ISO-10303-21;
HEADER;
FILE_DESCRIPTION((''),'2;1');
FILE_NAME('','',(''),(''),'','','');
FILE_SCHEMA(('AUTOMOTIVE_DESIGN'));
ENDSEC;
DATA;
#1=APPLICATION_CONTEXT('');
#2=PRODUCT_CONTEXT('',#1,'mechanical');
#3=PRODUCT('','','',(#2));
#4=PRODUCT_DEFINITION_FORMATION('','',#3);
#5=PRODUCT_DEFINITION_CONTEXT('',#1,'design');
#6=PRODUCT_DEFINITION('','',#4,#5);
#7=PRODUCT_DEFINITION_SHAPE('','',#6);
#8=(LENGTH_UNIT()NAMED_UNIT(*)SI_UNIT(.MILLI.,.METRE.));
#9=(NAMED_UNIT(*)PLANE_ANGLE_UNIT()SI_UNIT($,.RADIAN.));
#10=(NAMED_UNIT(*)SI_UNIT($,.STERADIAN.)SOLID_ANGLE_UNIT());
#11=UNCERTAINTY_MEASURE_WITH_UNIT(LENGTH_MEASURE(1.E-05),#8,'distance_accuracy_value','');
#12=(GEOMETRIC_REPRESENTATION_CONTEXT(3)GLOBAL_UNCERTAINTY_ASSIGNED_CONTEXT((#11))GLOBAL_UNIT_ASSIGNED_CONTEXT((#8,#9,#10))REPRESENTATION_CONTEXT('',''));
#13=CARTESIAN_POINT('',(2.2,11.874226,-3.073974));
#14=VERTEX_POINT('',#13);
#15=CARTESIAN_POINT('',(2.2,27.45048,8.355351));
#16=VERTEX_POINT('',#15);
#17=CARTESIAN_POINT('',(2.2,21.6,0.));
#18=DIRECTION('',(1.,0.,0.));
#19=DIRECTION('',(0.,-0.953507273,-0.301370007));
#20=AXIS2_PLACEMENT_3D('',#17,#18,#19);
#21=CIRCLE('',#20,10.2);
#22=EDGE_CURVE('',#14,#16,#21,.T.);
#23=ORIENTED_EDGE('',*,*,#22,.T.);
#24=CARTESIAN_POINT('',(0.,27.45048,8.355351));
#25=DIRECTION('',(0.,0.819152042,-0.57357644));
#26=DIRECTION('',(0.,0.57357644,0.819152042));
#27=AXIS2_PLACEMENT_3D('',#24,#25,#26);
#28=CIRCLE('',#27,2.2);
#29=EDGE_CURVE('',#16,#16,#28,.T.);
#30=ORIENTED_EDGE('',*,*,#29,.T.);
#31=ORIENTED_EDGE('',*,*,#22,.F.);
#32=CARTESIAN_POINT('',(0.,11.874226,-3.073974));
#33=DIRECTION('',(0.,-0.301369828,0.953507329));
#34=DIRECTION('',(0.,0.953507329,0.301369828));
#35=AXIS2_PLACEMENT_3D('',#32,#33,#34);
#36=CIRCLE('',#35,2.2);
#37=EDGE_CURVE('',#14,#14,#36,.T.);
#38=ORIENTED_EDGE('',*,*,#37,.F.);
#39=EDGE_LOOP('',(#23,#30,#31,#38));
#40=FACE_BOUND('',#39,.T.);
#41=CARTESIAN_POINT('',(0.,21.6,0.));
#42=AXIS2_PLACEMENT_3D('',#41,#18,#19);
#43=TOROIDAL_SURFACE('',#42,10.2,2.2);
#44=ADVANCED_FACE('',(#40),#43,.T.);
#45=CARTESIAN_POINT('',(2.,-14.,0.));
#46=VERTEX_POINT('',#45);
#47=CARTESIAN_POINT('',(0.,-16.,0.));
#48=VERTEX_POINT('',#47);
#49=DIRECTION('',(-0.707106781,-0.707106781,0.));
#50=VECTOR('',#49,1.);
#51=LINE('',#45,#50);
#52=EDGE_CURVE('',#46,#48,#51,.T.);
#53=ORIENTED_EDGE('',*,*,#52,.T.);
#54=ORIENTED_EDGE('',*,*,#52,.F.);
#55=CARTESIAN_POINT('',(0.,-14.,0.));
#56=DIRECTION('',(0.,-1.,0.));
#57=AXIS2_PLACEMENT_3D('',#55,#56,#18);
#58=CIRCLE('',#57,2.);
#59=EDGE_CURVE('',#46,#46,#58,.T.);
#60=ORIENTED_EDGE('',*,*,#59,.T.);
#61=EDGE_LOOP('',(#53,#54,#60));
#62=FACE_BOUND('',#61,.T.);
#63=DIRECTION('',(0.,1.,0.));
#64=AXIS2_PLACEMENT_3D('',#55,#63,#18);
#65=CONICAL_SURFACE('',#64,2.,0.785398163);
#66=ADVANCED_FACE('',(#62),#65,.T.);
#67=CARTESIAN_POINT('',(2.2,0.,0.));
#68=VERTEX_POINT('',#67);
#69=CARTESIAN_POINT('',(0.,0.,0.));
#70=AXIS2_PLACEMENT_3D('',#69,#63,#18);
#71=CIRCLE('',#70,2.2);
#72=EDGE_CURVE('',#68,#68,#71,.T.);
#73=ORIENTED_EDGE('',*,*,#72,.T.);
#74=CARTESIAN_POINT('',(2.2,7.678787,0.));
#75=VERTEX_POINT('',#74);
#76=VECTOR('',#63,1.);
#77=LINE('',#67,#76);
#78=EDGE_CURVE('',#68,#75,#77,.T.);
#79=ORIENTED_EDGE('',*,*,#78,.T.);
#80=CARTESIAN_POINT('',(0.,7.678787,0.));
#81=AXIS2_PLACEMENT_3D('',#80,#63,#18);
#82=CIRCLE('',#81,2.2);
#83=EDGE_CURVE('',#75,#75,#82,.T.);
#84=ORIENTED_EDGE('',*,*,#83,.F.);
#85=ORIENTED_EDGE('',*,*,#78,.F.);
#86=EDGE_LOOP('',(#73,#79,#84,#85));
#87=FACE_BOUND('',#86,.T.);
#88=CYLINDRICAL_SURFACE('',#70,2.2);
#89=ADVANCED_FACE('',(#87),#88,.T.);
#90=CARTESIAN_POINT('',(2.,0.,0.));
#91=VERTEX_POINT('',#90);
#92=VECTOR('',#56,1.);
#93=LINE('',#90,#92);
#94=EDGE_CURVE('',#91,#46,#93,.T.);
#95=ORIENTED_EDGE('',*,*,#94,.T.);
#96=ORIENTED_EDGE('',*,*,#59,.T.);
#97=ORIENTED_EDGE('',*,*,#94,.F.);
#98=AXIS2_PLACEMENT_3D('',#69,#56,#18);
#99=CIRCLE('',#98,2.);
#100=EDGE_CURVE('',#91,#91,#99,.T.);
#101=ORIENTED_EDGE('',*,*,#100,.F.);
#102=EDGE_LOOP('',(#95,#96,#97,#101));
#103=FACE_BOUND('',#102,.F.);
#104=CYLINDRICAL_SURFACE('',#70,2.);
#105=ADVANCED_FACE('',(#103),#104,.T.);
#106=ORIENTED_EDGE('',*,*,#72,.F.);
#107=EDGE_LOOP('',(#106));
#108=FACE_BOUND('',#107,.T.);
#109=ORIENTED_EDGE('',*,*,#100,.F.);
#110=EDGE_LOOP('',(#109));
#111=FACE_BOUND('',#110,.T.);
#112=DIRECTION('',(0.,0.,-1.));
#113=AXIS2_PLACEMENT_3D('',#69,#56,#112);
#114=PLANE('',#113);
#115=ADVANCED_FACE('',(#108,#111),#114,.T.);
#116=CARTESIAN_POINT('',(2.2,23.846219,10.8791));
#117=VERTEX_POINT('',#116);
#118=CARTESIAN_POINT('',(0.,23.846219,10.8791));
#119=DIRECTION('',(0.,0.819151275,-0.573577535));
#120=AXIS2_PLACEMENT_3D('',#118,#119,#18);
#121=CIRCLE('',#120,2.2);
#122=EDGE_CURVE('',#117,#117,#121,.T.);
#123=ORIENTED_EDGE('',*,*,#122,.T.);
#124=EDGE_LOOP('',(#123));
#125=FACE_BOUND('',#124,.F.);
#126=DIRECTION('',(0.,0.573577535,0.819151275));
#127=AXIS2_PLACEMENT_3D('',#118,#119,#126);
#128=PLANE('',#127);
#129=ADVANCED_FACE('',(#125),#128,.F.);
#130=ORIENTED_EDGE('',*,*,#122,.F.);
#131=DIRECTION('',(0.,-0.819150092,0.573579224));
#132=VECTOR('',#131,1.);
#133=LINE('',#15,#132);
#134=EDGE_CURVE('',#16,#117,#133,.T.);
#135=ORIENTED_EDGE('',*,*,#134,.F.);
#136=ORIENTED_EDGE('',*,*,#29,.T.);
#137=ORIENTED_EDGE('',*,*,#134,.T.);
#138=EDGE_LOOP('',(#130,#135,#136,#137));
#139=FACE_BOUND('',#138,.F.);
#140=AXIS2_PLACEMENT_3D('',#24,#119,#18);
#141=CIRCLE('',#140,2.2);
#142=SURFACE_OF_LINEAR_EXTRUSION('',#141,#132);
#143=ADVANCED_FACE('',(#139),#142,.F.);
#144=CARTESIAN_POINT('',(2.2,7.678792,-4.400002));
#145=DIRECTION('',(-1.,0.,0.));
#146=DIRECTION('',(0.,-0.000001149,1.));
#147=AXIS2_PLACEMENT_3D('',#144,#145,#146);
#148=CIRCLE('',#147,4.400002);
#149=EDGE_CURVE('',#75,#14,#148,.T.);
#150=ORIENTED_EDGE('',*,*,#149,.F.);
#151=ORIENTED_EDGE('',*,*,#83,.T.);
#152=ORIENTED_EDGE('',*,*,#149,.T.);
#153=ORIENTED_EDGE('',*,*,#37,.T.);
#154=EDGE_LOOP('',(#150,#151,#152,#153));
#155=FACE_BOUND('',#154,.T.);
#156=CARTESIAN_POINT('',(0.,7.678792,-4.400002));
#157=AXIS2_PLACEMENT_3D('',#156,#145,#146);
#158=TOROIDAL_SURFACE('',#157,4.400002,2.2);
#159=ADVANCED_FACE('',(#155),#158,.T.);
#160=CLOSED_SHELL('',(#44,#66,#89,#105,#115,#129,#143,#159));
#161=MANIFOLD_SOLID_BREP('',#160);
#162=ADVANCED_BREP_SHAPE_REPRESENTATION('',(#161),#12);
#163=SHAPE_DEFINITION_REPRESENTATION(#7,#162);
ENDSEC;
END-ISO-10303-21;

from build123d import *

# Parameters (mm, degrees)
SKETCH001_R  = 2.2
SKETCH002_R  = 2
PAD_DEPTH    = 16
CHAMFER_SIZE = 2


with BuildPart() as part:
    # Sweep: sweep along a path in Sketch
    with BuildLine(Plane.YZ) as sweep_path:
        Line((0, 0), (7.678787, 0))
        ThreePointArc((7.678787, 0), (10.279318, -0.850737), (11.874226, -3.073974))
        ThreePointArc((11.874226, -3.073974), (27.634223, -8.223634), (27.45048, 8.355351))
        Line((27.45048, 8.355351), (23.846219, 10.8791))
    # Sketch001 → Sweep (sweep)
    with BuildSketch(Plane.XZ):
        Circle(SKETCH001_R)
    sweep(path=sweep_path.line, is_frenet=True)

    # Sketch002 → Pad (new body)
    with BuildSketch(Plane.XZ):
        Circle(SKETCH002_R)
    extrude(amount=PAD_DEPTH)

    # Chamfer
    chamfer_edges = [part.edges().sort_by_distance(p)[0] for p in [
        (-2, -16, 0),
    ]]
    chamfer(chamfer_edges, length=CHAMFER_SIZE)


solid = part.part
